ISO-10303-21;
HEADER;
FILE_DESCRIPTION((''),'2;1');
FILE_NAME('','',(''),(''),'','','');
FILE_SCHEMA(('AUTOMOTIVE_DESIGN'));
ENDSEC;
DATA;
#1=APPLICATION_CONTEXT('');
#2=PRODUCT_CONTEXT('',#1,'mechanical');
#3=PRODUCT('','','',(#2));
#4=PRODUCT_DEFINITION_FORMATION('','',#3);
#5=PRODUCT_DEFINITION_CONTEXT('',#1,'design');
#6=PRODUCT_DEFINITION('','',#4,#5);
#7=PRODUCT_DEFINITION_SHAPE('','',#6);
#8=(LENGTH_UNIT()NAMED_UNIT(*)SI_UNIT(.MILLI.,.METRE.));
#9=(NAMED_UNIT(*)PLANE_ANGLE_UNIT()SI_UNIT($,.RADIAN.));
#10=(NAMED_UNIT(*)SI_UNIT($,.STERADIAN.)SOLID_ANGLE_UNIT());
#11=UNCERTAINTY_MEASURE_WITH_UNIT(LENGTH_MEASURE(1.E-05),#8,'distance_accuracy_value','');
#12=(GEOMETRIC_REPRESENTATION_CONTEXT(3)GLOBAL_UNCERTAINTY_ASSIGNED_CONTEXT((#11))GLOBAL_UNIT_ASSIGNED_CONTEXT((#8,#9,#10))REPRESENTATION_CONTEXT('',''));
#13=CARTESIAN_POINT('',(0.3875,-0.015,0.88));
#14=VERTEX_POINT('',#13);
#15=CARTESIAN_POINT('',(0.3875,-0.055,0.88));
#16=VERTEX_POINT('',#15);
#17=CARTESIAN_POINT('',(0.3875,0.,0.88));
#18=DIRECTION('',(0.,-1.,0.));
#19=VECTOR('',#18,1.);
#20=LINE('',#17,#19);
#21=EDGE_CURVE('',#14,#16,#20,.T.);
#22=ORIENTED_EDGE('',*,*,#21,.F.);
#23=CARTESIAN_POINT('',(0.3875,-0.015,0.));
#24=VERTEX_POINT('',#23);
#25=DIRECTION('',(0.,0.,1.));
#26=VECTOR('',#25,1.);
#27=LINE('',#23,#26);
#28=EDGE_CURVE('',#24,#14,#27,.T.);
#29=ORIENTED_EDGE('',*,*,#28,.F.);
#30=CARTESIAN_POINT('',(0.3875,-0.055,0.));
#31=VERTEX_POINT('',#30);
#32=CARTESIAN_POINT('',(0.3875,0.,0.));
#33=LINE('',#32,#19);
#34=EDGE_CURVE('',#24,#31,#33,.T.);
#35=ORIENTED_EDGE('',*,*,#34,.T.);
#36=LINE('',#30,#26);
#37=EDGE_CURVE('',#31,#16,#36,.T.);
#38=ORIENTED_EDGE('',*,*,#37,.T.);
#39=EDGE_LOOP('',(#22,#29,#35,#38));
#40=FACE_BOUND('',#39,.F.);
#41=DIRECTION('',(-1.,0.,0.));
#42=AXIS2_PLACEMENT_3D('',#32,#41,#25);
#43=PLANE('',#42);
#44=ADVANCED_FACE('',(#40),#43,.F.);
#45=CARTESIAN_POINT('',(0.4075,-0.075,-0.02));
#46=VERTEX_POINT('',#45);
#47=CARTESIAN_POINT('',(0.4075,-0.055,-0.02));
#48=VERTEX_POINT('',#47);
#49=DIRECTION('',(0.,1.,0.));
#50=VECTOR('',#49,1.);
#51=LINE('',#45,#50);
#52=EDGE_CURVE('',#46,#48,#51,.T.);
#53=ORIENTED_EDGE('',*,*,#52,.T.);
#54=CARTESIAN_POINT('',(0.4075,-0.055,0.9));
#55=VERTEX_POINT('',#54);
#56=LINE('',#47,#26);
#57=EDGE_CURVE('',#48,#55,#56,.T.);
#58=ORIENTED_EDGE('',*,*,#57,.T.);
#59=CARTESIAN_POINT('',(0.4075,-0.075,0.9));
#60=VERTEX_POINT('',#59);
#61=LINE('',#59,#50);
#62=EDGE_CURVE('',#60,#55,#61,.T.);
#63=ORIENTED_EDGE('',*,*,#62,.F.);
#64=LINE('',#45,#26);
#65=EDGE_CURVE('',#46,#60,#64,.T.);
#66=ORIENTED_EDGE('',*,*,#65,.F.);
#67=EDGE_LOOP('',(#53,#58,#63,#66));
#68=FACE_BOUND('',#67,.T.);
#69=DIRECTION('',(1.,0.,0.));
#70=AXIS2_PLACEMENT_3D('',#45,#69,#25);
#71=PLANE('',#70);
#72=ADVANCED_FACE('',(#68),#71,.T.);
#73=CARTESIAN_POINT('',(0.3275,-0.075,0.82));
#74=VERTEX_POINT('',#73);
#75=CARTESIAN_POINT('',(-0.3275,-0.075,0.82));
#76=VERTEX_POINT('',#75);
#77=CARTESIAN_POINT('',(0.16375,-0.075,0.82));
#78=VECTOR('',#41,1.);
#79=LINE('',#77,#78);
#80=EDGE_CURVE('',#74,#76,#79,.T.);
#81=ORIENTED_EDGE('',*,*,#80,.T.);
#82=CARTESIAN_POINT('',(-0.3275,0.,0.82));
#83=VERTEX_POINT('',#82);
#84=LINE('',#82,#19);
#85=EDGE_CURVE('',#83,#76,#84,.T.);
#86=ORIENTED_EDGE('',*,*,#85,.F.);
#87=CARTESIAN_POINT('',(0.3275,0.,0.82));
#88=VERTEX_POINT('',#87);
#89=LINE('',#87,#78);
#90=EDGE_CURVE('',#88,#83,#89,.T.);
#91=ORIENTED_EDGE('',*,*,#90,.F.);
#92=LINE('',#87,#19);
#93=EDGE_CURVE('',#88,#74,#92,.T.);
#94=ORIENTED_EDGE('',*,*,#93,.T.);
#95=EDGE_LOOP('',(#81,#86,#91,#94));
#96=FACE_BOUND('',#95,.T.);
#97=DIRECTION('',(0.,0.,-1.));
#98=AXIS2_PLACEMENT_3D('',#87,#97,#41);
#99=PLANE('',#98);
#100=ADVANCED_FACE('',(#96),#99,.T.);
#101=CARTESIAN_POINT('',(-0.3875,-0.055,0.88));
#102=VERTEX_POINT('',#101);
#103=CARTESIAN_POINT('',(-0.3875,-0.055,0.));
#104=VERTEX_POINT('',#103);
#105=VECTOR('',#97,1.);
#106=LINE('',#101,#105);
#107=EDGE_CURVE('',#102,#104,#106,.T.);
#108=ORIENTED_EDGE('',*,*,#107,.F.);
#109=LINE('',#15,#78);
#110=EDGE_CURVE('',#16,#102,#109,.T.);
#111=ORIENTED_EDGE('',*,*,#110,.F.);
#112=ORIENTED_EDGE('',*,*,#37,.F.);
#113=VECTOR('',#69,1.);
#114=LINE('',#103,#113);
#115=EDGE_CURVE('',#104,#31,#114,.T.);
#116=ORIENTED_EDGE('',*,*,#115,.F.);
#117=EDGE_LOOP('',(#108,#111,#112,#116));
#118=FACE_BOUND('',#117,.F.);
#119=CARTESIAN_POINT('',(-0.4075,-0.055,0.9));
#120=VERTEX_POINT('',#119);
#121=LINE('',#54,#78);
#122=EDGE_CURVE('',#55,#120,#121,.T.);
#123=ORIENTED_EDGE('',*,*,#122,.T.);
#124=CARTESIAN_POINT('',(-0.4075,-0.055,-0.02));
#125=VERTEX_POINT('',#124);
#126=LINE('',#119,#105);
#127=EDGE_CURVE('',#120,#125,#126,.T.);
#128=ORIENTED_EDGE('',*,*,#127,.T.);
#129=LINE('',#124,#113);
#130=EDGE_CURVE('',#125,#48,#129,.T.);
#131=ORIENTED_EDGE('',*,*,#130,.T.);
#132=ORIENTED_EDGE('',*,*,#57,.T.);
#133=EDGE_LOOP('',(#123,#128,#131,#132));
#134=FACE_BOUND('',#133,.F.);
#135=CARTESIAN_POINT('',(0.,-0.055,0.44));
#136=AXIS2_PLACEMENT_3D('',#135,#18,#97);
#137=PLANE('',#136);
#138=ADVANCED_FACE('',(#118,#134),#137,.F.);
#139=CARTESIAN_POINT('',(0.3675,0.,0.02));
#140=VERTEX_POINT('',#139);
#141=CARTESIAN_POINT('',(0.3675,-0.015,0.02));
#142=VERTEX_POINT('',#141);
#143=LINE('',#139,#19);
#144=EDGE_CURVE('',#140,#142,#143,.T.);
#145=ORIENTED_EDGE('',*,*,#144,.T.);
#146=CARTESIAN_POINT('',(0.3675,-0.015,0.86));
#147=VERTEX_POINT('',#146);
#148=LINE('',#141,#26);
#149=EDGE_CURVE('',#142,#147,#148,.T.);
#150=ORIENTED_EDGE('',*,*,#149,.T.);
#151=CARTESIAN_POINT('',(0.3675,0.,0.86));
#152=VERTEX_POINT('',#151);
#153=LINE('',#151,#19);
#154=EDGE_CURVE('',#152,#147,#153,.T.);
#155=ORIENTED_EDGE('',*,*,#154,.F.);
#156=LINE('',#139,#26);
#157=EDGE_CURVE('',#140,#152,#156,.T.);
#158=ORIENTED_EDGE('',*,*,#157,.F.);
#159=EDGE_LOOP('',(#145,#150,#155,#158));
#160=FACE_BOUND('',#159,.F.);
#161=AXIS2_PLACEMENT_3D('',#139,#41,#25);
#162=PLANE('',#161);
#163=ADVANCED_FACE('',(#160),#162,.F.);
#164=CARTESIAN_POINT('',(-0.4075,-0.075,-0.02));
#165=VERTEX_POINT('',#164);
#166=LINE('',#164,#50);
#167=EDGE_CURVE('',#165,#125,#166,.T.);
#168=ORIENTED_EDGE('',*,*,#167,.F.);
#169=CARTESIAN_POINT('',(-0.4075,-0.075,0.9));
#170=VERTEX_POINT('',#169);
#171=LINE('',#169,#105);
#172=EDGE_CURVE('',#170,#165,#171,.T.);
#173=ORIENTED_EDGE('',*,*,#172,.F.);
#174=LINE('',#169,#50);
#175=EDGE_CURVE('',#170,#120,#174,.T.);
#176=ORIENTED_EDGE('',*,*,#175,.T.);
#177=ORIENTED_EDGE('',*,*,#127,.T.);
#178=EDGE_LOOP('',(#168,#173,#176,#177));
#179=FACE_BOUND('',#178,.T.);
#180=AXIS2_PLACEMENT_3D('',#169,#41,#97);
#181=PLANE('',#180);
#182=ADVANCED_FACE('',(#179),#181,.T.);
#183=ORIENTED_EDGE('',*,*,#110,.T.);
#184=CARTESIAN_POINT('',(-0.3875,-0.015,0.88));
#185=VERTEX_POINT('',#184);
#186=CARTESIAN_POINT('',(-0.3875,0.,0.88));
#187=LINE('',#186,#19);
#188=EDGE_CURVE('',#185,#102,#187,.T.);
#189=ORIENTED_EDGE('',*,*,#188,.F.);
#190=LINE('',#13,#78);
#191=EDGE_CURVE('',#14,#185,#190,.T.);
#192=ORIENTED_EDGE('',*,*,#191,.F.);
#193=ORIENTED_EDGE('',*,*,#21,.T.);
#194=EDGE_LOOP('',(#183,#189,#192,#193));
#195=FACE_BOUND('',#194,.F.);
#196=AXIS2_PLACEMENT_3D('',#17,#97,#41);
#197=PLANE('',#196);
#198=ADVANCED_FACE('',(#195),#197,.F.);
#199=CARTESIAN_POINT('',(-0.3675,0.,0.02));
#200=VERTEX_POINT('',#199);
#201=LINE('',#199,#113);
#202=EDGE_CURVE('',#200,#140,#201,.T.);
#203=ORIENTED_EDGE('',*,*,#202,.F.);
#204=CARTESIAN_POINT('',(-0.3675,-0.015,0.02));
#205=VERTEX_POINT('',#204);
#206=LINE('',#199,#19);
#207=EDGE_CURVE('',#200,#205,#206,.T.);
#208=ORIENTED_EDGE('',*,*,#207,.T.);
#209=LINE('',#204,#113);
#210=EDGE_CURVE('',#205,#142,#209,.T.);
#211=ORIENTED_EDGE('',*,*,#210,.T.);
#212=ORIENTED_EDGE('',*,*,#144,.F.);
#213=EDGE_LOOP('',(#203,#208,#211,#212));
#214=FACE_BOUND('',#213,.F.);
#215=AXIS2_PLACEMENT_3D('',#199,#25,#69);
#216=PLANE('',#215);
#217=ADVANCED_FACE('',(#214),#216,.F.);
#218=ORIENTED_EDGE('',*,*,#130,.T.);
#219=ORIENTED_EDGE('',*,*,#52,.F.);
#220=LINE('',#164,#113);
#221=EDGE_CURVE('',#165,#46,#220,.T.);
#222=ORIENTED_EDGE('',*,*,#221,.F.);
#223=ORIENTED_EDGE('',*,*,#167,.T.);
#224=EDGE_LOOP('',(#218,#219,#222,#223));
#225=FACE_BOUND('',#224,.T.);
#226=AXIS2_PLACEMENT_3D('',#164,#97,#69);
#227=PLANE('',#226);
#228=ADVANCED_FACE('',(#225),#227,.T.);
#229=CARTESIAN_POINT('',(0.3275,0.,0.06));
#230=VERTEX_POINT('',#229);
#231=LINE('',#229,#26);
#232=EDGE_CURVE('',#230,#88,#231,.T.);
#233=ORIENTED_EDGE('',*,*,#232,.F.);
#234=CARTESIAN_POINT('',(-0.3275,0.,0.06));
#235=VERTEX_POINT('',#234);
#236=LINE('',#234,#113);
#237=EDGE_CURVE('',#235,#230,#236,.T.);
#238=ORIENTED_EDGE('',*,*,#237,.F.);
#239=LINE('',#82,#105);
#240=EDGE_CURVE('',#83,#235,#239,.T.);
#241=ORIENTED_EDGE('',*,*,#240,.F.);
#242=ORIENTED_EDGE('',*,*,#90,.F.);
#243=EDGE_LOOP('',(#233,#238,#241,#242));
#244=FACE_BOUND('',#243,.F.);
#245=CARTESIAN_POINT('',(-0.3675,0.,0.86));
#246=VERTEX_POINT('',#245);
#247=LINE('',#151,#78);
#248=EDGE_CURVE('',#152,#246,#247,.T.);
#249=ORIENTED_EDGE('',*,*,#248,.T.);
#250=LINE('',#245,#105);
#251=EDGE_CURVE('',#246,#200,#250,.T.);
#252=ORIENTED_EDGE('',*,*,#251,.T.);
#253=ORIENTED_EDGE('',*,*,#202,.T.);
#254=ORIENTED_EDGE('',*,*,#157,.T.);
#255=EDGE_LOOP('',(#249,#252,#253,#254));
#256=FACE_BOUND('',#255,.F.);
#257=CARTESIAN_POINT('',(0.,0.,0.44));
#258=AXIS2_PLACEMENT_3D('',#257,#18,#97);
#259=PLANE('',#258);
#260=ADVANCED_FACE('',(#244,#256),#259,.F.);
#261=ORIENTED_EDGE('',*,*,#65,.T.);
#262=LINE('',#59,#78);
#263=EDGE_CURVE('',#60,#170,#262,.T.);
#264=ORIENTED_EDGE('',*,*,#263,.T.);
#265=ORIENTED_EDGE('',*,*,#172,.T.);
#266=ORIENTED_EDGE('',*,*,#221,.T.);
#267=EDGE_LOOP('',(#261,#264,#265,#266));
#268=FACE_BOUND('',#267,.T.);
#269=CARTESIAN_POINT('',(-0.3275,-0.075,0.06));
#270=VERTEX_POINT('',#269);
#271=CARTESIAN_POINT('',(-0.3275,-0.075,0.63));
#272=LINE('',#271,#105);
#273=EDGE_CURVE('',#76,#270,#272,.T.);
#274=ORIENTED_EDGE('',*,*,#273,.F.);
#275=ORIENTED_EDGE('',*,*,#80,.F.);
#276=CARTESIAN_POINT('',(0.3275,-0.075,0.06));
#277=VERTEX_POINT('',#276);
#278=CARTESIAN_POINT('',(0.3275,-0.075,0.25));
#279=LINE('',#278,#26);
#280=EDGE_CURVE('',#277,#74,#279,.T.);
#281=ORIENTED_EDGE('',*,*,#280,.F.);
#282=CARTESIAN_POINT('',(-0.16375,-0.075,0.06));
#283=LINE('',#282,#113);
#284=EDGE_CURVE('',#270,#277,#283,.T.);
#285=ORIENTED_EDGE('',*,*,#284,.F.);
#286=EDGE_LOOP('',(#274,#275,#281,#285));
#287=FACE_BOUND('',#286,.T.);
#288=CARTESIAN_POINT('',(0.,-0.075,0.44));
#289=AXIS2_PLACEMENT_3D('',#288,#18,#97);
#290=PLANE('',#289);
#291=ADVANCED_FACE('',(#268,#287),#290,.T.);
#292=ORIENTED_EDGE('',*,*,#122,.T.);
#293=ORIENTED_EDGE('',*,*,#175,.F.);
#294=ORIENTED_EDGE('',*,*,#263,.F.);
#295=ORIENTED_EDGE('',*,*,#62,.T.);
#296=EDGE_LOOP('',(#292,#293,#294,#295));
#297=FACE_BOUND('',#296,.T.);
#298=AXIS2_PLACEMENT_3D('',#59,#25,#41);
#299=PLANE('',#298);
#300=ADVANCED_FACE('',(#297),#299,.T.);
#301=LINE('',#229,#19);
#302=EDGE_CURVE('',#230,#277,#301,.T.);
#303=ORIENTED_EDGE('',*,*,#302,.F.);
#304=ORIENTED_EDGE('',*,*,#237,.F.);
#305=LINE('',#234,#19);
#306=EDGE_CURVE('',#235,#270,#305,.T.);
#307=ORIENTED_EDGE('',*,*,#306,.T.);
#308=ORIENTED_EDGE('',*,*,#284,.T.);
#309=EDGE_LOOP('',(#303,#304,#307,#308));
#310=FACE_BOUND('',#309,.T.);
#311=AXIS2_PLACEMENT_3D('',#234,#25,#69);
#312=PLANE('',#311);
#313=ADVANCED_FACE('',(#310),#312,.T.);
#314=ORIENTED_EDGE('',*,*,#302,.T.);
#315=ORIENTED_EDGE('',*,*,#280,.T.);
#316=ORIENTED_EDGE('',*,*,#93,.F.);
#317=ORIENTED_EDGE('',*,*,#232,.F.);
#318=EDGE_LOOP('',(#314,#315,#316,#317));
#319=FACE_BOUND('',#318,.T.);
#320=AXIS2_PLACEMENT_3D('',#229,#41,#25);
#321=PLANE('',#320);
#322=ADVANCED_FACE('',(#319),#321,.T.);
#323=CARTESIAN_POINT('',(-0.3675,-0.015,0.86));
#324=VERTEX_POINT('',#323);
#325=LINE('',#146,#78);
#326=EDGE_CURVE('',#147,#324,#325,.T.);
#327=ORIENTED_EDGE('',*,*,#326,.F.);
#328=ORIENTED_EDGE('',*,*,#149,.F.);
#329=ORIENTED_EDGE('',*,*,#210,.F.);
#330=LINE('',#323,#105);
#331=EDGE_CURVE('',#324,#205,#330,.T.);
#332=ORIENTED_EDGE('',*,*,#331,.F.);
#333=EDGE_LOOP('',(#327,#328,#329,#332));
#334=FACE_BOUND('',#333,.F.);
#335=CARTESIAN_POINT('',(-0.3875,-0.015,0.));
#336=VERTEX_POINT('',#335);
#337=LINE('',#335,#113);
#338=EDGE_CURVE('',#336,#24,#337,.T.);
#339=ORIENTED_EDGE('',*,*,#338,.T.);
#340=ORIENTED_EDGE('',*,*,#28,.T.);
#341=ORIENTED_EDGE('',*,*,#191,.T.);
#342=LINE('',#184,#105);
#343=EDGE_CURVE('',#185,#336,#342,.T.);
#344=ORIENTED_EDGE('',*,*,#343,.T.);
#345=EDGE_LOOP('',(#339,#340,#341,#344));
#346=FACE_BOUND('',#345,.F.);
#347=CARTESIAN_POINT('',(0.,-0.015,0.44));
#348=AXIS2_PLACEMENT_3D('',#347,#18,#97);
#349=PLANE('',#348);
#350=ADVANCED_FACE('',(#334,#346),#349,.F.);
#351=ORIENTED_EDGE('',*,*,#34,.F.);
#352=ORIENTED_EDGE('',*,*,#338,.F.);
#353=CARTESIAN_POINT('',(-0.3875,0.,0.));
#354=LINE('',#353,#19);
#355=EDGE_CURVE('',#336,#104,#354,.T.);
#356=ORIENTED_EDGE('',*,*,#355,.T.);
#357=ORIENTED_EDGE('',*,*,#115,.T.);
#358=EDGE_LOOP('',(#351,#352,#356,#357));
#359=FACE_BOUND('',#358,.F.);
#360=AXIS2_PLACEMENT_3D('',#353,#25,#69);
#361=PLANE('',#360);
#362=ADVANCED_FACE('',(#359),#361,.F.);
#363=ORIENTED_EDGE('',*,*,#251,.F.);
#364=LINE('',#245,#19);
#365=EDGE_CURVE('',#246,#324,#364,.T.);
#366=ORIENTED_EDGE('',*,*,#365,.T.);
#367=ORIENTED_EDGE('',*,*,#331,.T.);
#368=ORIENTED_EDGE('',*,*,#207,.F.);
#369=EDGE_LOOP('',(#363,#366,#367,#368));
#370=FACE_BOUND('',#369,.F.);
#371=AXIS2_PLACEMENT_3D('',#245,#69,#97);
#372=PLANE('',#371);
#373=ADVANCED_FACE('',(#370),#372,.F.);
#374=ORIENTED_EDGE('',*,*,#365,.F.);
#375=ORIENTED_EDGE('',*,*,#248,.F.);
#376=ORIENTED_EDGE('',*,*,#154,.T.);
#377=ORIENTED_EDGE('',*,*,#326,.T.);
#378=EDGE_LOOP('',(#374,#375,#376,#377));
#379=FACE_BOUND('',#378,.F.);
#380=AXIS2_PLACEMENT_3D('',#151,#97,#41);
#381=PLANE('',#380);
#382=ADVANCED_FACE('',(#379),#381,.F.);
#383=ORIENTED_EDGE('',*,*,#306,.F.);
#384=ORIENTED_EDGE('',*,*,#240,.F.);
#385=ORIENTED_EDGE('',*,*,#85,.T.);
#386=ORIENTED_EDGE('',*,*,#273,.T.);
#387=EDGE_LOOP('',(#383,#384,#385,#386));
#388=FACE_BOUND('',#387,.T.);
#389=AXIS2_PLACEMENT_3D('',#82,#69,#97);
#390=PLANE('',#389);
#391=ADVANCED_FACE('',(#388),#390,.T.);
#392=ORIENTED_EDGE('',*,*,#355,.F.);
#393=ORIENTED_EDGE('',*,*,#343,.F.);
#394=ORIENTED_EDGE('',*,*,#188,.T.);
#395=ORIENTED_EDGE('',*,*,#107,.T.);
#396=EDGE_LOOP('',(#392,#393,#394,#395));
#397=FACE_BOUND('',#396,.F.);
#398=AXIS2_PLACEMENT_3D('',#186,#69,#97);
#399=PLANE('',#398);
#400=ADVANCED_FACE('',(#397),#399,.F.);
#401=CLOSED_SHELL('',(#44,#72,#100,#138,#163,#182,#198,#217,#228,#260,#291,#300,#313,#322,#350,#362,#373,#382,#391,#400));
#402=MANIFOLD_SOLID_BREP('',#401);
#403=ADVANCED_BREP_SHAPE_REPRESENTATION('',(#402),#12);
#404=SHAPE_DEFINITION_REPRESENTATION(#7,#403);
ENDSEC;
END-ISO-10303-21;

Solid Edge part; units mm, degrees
sketch "Sketch1" plane through (0, 0, 0) normal (0, -1, 0) x (1, 0, 0)
  line L0 (-0.3875, 0) -> (0.3875, 0)
  line L1 (0.3875, 0) -> (0.3875, 0.88)
  line L2 (0.3875, 0.88) -> (-0.3875, 0.88)
  line L3 (-0.3875, 0.88) -> (-0.3875, 0)
  dimension "D1" = 0.88
  dimension "D2" = 0.775
extrude "Protrusion1" add sketch "Sketch1" along normal blind 0.075
sketch "Sketch2" plane through (0, 0, 0.69) normal (0, 1, 0) x (-1, 0, 0)
  line L0 (-0.3275, 0.13) -> (0.3275, 0.13)
  line L1 (0.3275, 0.13) -> (0.3275, -0.63)
  line L2 (0.3275, -0.63) -> (-0.3275, -0.63)
  line L3 (-0.3275, -0.63) -> (-0.3275, 0.13)
extrude "Cutout1" cut sketch "Sketch2" against normal up to next
sketch "Sketch3" plane through (0, 0, 0.69) normal (0, 1, 0) x (-1, 0, 0)
  line L0 (-0.3675, -0.67) -> (-0.3675, 0.17)
  line L1 (-0.3675, 0.17) -> (0.3675, 0.17)
  line L2 (0.3675, 0.17) -> (0.3675, -0.67)
  line L3 (0.3675, -0.67) -> (-0.3675, -0.67)
  line L4 (-0.3875, -0.69) -> (-0.3875, 0.19)
  line L5 (-0.3875, 0.19) -> (0.3875, 0.19)
  line L6 (0.3875, 0.19) -> (0.3875, -0.69)
  line L7 (0.3875, -0.69) -> (-0.3875, -0.69)
extrude "Ausschnitt_1" cut sketch "Sketch3" against normal blind 0.015
sketch "Sketch4" plane through (0, -0.075, 0.69) normal (0, -1, 0) x (1, 0, 0)
  line L0 (-0.4075, 0.21) -> (-0.4075, -0.71)
  line L1 (-0.4075, -0.71) -> (0.4075, -0.71)
  line L2 (0.4075, -0.71) -> (0.4075, 0.21)
  line L3 (0.4075, 0.21) -> (-0.4075, 0.21)
  line L4 (0.3875, 0.19) -> (-0.3875, 0.19)
  line L5 (-0.3875, 0.19) -> (-0.3875, -0.69)
  line L6 (-0.3875, -0.69) -> (0.3875, -0.69)
  line L7 (0.3875, -0.69) -> (0.3875, 0.19)
extrude "Ausprägung_2" add sketch "Sketch4" against normal blind 0.02
